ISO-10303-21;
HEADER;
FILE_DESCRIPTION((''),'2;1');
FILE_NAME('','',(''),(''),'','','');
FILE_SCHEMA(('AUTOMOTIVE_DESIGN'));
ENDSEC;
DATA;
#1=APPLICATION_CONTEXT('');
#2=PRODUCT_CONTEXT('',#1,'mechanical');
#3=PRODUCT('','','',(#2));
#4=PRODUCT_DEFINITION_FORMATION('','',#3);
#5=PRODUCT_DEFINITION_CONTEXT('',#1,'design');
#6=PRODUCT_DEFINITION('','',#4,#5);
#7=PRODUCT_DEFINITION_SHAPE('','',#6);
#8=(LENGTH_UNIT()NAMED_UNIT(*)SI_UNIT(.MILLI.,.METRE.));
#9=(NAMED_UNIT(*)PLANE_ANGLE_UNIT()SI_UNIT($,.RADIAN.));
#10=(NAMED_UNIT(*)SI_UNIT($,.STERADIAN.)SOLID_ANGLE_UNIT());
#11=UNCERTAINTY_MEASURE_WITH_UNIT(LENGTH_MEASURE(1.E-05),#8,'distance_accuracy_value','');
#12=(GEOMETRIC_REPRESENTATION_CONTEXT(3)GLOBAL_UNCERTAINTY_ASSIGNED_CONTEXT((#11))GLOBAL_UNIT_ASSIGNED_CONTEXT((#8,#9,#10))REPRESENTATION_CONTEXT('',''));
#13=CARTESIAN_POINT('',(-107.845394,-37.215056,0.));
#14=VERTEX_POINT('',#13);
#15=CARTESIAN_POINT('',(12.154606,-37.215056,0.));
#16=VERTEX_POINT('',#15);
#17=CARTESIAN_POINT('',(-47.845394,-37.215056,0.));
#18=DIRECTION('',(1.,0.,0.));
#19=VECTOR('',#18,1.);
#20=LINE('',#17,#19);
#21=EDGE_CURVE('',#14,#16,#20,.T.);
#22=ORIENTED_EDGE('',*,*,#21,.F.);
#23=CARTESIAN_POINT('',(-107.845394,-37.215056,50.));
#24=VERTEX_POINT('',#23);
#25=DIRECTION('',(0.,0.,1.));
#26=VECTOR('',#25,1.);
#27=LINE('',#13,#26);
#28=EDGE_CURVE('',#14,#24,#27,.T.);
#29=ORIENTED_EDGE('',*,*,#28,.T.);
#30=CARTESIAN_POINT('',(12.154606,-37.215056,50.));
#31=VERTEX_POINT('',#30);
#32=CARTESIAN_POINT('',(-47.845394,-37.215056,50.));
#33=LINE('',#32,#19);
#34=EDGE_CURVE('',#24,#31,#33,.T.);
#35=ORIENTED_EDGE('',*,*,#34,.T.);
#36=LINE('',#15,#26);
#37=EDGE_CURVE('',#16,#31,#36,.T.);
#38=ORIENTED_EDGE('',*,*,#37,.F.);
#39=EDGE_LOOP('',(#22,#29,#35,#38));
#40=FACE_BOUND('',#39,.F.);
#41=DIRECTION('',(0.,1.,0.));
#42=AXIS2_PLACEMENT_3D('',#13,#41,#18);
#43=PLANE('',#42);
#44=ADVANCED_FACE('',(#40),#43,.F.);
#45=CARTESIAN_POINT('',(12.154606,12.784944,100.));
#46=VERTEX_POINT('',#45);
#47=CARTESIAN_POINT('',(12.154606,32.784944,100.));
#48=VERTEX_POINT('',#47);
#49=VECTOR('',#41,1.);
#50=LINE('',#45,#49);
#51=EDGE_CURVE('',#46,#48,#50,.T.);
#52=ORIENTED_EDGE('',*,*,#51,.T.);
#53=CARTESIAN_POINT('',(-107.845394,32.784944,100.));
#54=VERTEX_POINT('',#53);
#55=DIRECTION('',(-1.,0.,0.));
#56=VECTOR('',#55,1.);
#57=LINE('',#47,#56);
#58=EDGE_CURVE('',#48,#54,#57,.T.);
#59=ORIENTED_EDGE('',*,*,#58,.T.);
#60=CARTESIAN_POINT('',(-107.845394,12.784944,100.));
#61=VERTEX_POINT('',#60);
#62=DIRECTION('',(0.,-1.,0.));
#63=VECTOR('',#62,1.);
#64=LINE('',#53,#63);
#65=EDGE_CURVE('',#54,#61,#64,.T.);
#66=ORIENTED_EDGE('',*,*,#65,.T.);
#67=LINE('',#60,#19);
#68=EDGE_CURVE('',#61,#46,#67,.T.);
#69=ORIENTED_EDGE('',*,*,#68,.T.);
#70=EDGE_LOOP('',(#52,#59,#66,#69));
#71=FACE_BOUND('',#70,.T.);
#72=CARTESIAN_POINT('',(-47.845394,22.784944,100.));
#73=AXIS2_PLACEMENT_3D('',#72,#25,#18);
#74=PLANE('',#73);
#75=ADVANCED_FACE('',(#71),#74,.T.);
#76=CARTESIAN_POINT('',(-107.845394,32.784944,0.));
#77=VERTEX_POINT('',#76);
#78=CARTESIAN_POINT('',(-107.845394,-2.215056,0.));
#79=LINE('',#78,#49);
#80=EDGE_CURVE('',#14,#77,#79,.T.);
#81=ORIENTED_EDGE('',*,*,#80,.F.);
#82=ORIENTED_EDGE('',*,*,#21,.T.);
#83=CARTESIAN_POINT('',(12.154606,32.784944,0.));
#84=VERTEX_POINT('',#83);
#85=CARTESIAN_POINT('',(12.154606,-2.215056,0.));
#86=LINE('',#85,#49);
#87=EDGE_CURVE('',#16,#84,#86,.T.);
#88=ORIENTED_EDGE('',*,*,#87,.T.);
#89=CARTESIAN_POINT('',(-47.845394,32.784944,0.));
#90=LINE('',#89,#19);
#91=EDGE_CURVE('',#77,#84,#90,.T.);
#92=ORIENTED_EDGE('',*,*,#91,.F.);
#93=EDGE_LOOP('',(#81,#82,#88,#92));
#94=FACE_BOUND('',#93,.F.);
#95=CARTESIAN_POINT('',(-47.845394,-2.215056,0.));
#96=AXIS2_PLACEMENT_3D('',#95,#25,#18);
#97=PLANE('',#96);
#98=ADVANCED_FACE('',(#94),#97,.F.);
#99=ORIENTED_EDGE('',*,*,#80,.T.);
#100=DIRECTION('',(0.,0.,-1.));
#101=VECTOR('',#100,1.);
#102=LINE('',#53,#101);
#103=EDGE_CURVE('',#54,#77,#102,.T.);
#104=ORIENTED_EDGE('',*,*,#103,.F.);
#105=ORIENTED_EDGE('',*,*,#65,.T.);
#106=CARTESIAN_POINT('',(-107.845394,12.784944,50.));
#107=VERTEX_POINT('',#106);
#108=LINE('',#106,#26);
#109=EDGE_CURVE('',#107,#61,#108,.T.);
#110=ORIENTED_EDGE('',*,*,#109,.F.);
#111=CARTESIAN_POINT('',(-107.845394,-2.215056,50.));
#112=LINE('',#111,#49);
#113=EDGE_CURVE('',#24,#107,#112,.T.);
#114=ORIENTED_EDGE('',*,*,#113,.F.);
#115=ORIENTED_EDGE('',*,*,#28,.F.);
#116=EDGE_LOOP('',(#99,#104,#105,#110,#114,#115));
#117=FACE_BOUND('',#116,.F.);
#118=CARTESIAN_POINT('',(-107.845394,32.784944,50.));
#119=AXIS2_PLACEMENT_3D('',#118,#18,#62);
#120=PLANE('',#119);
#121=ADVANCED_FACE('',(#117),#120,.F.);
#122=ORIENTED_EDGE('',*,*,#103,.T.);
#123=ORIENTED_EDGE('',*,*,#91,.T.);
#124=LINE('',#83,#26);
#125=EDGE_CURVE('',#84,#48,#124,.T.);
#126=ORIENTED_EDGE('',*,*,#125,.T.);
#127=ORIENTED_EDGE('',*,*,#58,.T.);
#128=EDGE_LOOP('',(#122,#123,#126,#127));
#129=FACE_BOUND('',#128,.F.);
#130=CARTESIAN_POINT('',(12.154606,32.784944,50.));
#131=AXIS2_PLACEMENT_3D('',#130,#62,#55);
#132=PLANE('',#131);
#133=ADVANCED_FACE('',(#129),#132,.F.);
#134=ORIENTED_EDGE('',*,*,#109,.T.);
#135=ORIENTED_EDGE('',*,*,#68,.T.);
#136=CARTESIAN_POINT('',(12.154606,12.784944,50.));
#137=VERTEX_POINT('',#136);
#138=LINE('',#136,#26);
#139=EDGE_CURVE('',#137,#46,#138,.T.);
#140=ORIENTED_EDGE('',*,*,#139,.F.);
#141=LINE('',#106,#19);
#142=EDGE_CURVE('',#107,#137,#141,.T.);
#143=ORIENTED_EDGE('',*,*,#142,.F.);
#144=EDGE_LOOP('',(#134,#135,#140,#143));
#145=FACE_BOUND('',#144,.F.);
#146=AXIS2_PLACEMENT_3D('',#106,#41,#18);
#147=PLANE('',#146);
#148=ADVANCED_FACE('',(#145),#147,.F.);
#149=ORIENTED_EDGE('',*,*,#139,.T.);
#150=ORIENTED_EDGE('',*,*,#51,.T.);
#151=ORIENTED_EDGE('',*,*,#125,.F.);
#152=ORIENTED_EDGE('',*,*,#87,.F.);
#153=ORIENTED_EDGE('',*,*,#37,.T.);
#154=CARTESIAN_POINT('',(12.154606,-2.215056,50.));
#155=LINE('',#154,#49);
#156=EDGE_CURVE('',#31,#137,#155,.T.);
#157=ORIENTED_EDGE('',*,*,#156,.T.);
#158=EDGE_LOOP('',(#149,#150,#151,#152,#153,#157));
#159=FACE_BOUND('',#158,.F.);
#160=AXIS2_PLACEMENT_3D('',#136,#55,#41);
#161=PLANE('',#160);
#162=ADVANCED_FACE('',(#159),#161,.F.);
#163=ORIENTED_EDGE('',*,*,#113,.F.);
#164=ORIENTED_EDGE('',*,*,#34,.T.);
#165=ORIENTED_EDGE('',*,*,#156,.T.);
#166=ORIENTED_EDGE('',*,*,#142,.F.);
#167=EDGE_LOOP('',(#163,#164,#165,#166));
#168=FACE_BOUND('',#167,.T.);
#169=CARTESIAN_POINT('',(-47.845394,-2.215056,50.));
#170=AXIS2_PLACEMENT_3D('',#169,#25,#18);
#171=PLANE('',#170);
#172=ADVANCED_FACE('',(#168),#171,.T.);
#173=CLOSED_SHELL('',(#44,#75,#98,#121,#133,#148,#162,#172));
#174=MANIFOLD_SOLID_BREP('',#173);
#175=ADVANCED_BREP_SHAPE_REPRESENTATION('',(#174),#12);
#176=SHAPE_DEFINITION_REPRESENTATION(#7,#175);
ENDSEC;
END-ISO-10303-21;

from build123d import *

# Parameters (mm, degrees)
F0_W     = 120
F0_H     = 70
F1_DEPTH = 50
F3_DEPTH = 50


with BuildPart() as f1:
    # F0 (on Top) → F1 (new body)
    with BuildSketch(Plane.XY):
        with Locations((-47.845394, -2.215056)):
            Rectangle(F0_W, F0_H)
    extrude(amount=F1_DEPTH)

    # F2 (on face) → F3 (join)
    with BuildSketch(Plane.XY.offset(50)):
        Polygon((-107.845394, 12.784944), (-92.845394, 12.784944), (12.154606, 12.784944), (12.154606, 32.784944), (-107.845394, 32.784944), align=None)
    extrude(amount=F3_DEPTH)


solid = f1.part
